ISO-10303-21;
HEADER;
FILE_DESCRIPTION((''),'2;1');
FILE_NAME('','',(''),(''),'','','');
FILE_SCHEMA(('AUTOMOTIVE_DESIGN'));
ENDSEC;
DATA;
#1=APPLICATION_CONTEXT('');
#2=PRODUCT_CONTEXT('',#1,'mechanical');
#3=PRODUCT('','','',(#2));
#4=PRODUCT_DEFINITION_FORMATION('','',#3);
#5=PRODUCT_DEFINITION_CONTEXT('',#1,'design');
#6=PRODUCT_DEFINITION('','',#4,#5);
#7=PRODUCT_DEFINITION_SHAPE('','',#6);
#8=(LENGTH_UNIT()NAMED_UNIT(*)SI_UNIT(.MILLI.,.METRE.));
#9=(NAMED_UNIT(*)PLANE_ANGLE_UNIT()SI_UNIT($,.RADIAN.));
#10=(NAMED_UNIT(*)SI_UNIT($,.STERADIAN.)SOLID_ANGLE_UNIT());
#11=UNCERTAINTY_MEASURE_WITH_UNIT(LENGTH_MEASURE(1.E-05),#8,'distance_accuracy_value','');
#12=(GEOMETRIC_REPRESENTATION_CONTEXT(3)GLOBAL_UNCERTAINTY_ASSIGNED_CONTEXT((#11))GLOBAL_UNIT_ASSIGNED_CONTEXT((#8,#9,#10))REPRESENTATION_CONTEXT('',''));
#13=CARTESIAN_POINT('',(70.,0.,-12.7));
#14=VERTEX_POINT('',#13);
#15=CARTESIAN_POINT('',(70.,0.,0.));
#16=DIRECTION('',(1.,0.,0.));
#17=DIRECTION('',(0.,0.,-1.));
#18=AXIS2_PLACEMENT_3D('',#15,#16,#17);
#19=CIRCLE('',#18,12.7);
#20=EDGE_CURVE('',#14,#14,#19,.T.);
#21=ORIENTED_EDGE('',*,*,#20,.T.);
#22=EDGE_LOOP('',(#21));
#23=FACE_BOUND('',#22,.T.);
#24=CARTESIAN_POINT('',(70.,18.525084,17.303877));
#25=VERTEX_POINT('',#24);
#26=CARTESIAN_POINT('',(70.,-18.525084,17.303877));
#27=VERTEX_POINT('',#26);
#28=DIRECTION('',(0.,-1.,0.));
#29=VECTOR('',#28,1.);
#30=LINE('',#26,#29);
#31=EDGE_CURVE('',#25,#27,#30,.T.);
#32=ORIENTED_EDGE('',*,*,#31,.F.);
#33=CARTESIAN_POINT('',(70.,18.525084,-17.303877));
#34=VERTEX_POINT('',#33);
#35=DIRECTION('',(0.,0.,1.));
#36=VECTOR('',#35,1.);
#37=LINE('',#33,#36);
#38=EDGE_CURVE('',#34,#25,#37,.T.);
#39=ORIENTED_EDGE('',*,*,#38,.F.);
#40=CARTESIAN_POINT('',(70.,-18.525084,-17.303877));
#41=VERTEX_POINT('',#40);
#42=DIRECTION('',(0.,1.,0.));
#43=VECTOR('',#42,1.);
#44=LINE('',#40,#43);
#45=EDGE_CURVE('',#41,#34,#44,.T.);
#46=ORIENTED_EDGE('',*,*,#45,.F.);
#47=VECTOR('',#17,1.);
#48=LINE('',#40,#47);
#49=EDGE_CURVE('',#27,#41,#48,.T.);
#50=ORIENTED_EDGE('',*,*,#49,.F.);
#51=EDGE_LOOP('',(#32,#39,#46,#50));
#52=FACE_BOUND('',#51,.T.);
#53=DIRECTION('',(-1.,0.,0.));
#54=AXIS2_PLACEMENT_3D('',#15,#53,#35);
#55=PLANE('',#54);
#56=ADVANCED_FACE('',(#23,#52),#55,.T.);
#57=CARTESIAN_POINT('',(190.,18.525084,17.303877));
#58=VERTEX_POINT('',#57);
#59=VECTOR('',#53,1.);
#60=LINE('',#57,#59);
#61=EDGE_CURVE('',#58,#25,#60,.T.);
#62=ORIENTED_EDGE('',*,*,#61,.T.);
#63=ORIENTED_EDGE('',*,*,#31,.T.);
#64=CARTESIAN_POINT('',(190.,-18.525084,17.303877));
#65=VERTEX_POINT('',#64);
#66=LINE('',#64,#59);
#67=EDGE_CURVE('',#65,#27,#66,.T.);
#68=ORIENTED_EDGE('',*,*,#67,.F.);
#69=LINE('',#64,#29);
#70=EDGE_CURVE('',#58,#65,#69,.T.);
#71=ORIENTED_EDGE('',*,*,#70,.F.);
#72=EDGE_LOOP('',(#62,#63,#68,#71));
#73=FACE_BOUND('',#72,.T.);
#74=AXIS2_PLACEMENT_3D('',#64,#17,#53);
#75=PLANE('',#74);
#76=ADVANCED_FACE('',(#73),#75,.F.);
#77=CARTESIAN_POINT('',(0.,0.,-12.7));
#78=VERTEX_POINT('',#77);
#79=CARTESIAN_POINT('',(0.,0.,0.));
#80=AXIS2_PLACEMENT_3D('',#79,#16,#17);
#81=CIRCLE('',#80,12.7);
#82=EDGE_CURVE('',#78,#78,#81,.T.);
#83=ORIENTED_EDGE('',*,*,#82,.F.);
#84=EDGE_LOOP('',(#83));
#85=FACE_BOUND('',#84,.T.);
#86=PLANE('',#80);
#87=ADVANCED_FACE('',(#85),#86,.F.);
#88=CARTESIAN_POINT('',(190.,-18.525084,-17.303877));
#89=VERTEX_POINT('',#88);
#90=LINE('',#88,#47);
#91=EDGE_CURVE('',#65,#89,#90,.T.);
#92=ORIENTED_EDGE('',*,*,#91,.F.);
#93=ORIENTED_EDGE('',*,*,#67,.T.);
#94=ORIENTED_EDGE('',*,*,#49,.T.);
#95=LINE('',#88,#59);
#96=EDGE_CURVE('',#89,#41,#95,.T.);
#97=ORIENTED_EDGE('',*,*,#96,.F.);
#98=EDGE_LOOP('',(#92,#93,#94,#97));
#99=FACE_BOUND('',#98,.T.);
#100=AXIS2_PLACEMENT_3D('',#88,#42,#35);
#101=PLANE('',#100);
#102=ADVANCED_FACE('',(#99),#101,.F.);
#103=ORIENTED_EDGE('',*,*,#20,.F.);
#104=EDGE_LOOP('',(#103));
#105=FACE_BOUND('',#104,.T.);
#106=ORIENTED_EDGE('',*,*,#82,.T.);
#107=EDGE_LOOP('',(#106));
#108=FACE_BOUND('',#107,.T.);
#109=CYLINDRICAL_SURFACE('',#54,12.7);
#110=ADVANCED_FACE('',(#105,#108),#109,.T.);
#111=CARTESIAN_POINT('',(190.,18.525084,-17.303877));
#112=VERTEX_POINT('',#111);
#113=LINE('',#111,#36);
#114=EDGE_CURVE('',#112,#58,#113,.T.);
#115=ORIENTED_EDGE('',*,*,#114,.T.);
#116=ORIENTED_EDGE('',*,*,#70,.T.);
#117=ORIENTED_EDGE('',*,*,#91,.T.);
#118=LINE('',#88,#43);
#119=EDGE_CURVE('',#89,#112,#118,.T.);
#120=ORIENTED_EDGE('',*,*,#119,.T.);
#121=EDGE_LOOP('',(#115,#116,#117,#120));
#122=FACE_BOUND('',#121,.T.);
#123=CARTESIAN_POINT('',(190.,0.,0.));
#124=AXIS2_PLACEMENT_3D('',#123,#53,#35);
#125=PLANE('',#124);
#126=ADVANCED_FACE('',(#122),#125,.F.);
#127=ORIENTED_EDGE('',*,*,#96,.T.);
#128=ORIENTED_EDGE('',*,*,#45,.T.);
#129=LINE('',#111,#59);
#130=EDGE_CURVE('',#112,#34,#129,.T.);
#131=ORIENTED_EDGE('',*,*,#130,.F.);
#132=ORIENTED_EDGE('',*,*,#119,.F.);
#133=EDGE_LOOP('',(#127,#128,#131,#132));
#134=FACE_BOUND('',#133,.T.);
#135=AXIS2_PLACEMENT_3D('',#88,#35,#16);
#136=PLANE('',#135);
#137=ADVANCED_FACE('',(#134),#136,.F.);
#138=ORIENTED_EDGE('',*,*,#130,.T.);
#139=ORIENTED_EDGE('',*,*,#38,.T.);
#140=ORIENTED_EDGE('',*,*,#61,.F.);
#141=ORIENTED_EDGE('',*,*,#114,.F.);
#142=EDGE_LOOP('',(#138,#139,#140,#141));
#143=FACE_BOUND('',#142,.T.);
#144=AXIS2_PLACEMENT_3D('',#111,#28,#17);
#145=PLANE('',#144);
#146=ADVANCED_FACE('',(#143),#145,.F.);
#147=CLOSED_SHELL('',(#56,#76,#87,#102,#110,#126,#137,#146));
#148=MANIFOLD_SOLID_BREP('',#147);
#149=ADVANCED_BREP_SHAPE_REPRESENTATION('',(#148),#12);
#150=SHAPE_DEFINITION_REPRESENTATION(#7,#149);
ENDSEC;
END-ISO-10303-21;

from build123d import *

# Parameters (mm, degrees)
SKETCH1_R           = 12.7
BOSS_EXTRUDE1_DEPTH = 70
SKETCH2_W           = 37.050168224
SKETCH2_H           = 34.6077549
BOSS_EXTRUDE2_DEPTH = 120


with BuildPart() as part:
    # Sketch1 → Boss-Extrude1 (new body)
    with BuildSketch(Plane.YZ):
        with Locations(Location((0, 0, 0), (0, 0, 270))):
            Circle(SKETCH1_R)
    extrude(amount=BOSS_EXTRUDE1_DEPTH)

    # Sketch2 → Boss-Extrude2 (add)
    with BuildSketch(Plane.YZ.offset(70)):
        Rectangle(SKETCH2_W, SKETCH2_H)
    extrude(amount=BOSS_EXTRUDE2_DEPTH)


solid = part.part
